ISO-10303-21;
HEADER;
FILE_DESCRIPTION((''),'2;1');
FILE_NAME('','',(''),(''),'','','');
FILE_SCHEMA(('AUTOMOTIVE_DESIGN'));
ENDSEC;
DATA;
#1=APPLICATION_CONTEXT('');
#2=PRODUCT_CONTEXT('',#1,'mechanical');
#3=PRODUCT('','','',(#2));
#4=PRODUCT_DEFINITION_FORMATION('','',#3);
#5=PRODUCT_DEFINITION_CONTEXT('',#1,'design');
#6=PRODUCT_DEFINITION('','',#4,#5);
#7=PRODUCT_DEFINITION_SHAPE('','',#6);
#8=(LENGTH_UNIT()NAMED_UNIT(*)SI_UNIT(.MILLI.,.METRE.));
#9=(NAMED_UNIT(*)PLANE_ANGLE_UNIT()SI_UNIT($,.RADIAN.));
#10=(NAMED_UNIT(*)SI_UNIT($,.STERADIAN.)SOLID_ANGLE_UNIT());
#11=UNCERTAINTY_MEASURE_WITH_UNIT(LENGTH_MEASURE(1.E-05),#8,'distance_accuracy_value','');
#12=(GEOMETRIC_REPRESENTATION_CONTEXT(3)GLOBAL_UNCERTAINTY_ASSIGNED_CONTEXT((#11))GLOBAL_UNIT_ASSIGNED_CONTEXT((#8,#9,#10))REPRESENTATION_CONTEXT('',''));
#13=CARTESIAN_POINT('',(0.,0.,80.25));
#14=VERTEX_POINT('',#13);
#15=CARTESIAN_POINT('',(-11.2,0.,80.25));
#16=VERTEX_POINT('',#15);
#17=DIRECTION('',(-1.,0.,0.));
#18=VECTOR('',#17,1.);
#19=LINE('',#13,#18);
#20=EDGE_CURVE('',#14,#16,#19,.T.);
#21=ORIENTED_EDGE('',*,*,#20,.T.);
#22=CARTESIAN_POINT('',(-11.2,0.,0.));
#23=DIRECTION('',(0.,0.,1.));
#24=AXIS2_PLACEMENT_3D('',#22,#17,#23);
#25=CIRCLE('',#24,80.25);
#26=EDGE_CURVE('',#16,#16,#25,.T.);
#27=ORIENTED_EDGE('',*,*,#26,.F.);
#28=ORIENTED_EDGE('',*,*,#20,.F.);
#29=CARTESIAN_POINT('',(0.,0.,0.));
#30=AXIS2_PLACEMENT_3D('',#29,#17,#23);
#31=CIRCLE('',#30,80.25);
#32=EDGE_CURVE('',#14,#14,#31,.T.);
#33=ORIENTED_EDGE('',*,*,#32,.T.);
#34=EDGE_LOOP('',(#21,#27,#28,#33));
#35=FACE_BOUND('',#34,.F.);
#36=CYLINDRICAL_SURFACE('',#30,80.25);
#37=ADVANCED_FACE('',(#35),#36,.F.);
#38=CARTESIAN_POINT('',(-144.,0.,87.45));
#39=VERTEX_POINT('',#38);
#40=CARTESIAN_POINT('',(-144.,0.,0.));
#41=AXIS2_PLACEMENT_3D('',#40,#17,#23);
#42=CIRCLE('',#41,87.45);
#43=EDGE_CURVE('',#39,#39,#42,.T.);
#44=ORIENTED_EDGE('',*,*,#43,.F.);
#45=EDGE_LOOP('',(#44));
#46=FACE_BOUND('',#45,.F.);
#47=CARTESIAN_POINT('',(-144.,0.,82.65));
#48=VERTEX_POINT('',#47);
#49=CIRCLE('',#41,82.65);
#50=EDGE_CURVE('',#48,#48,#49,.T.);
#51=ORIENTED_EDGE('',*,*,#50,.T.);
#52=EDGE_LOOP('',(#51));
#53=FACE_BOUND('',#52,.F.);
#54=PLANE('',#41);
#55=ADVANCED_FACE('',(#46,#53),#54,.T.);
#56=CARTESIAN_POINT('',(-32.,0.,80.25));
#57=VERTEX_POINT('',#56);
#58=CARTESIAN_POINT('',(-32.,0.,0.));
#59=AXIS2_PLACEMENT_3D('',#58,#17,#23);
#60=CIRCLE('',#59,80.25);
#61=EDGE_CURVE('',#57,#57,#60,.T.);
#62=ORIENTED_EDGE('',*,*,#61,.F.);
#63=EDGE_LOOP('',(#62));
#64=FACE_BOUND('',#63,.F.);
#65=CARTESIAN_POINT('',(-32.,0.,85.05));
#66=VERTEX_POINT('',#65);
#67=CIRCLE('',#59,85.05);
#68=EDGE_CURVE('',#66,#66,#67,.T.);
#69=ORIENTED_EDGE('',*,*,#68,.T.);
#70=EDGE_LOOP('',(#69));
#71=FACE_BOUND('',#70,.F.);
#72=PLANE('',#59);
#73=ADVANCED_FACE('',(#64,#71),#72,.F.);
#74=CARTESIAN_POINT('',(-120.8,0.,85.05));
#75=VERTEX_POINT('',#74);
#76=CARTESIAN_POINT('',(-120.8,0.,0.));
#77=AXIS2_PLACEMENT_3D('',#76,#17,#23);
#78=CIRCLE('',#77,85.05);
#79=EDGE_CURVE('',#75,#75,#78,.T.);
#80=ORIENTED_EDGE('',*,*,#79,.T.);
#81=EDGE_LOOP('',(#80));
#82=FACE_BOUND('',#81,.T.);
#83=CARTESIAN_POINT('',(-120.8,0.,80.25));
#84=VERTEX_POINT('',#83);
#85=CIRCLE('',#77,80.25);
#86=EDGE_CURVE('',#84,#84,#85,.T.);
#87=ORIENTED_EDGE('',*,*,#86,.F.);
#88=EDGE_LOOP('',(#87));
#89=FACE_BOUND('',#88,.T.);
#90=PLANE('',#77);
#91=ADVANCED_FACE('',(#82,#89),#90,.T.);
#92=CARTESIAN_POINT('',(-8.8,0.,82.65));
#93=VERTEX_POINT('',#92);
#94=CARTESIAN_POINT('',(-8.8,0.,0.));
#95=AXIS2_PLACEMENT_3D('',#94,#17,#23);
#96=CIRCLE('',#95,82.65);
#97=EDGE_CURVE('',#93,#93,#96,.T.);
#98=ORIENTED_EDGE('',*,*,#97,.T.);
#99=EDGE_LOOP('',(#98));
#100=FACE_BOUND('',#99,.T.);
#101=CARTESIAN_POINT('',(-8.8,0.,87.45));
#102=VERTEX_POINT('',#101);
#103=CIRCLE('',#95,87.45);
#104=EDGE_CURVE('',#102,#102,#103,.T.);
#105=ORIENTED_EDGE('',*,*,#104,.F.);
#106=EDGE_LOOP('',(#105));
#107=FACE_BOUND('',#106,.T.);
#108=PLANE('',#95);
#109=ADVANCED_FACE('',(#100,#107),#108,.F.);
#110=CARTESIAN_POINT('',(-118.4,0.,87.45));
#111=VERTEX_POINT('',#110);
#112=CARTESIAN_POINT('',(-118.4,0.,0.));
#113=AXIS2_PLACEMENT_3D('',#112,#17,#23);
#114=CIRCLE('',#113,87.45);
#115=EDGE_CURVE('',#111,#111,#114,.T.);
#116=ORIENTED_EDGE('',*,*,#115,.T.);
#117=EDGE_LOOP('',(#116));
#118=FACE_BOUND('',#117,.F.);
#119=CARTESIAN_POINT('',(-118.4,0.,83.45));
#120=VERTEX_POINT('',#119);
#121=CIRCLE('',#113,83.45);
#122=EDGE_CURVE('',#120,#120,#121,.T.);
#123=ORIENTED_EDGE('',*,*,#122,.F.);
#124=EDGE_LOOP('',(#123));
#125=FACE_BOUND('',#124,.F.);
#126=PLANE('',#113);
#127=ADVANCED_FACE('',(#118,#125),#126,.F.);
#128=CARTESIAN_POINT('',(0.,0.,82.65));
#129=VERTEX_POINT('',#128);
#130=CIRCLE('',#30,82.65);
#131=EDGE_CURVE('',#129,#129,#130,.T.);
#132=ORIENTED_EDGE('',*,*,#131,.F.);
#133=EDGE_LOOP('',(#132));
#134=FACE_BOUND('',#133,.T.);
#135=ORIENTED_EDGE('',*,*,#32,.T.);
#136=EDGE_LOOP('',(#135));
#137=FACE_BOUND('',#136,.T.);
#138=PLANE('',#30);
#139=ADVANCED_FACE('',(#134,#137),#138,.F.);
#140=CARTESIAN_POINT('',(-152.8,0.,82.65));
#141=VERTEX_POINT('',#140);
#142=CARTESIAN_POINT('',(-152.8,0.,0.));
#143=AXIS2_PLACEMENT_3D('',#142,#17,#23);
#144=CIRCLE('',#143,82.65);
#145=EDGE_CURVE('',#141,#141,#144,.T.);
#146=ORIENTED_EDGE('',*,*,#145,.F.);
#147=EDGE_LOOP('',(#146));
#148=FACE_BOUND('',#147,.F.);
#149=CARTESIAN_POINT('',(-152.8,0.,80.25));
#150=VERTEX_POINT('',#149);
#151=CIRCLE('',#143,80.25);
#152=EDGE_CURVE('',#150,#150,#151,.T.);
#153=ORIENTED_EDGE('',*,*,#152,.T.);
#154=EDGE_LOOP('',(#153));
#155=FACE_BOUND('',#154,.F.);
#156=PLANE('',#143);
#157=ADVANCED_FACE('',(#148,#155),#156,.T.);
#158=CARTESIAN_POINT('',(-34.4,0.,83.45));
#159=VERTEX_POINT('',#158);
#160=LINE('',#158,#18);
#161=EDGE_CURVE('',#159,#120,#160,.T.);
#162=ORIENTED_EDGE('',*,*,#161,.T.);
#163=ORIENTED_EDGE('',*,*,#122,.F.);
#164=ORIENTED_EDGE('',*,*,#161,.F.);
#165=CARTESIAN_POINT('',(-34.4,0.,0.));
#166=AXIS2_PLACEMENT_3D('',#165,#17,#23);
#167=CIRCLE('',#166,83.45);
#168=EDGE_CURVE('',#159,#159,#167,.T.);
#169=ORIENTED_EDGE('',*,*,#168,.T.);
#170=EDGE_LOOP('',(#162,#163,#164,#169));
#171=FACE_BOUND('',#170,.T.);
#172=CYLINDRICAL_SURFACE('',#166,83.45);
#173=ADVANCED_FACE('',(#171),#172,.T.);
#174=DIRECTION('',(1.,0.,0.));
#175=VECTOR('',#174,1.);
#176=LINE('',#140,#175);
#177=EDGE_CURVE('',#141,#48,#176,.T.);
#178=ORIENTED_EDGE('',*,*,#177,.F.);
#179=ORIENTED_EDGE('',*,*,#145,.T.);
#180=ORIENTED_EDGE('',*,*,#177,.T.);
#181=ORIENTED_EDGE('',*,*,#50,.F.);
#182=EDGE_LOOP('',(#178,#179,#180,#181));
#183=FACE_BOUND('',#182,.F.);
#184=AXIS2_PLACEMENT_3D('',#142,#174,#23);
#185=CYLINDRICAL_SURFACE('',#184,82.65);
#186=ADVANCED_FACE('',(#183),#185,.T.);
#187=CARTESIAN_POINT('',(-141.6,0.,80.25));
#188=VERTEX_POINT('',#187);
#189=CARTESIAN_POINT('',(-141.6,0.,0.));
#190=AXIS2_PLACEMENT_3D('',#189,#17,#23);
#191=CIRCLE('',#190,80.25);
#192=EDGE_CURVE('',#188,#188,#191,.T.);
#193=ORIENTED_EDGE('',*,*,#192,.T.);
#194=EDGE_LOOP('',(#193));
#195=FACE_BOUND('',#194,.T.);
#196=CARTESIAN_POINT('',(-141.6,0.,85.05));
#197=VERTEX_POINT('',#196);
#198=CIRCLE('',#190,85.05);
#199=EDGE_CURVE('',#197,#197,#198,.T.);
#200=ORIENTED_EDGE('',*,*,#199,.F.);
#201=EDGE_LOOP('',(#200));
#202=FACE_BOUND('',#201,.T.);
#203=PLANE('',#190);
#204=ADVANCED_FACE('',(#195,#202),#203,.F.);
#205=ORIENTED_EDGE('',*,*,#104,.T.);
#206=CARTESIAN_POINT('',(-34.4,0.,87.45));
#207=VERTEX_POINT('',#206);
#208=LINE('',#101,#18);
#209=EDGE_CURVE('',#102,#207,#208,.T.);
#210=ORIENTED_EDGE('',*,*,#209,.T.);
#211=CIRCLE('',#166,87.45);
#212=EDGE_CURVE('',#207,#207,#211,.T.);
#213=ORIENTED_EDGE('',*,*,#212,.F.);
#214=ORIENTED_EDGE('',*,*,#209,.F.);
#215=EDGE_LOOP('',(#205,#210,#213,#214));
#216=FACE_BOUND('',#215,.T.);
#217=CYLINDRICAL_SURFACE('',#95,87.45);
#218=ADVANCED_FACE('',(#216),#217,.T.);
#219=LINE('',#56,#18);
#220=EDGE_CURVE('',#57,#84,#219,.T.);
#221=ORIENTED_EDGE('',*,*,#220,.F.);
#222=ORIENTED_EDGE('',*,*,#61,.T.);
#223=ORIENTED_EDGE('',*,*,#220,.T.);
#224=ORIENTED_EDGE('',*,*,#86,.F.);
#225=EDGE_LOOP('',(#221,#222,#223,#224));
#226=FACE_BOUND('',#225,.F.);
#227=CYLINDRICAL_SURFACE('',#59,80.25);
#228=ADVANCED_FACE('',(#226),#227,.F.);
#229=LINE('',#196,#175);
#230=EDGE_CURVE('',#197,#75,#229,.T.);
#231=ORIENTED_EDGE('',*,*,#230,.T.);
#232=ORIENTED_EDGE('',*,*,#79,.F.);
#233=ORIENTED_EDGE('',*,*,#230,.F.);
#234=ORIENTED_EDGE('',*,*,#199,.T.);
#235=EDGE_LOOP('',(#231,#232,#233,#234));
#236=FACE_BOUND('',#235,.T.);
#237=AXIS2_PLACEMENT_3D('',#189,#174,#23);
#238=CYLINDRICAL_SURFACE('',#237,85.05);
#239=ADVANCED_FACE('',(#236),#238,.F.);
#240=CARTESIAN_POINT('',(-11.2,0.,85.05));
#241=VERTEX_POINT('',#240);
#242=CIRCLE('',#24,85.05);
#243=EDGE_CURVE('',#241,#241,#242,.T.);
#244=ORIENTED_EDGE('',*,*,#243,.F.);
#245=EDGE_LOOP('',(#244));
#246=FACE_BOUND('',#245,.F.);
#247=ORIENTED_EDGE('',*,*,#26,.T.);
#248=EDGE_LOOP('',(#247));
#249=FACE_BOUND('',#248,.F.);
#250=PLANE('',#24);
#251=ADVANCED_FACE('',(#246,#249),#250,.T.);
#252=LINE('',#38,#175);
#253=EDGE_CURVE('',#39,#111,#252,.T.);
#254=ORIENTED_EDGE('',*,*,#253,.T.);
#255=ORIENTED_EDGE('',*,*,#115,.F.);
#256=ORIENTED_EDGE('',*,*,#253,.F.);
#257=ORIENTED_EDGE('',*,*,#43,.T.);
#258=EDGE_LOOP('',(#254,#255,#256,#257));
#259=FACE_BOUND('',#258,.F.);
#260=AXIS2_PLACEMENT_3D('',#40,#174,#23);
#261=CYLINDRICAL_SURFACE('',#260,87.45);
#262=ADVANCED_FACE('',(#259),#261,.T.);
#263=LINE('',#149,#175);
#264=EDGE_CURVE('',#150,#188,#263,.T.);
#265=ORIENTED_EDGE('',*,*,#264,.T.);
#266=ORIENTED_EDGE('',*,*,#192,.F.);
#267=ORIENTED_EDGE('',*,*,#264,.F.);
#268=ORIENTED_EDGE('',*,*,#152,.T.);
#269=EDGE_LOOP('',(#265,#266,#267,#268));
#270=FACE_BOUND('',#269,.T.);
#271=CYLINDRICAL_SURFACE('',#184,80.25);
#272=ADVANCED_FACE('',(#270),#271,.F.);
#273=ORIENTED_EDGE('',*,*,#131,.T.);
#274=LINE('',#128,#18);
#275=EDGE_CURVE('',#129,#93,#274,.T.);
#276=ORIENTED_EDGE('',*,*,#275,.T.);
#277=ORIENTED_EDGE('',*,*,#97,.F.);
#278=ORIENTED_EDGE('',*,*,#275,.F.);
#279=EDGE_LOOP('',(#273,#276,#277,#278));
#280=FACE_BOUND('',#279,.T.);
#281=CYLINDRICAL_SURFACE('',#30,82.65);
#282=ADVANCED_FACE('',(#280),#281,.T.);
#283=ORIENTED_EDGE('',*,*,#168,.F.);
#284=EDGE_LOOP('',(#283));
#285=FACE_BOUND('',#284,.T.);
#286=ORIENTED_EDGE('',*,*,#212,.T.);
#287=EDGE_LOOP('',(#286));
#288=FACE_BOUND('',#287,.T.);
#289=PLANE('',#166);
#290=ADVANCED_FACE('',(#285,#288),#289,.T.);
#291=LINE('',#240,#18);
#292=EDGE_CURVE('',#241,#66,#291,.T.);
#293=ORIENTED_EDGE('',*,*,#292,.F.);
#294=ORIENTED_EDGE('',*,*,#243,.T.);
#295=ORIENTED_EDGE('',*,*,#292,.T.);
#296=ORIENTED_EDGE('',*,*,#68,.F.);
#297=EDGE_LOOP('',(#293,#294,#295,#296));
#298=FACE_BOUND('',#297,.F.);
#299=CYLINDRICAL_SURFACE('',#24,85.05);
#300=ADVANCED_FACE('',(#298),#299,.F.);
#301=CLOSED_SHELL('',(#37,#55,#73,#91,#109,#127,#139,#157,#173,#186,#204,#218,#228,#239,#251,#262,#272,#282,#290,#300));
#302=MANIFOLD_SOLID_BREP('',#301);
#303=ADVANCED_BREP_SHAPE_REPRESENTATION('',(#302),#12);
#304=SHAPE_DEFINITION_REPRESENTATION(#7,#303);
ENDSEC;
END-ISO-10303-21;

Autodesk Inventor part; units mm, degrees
ref_plane "YZ Plane" through (0, 0, 0) normal (1, 0, 0) x (0, 1, 0)
ref_plane "XZ Plane" through (0, 0, 0) normal (0, 1, 0) x (-1, 0, 0)
ref_plane "XY Plane" through (0, 0, 0) normal (0, 0, 1) x (1, 0, 0)
sketch "Sketch1" plane through (0, 0, 0) normal (0, 1, 0) x (-1, 0, 0)
  line L0 (0, 80.25) -> (11.2, 80.25)
  line L1 (11.2, 80.25) -> (11.2, 85.05)
  line L2 (11.2, 85.05) -> (32, 85.05)
  line L3 (32, 85.05) -> (32, 80.25)
  line L4 (0, 0) -> (76.4, 0)
  line L5 (0, 80.25) -> (0, 0) construction
  line L6 (0, 80.25) -> (0, 82.65)
  line L7 (0, 82.65) -> (8.8, 82.65)
  line L8 (8.8, 82.65) -> (8.8, 87.45)
  line L9 (8.8, 87.45) -> (34.4, 87.45)
  line L10 (34.4, 87.45) -> (34.4, 83.45)
  line L11 (32, 80.25) -> (32, 0) construction
  line L12 (152.8, 80.25) -> (141.6, 80.25)
  line L13 (141.6, 80.25) -> (141.6, 85.05)
  line L14 (141.6, 85.05) -> (120.8, 85.05)
  line L15 (120.8, 85.05) -> (120.8, 80.25)
  line L16 (152.8, 0) -> (76.4, 0)
  line L17 (152.8, 80.25) -> (152.8, 0) construction
  line L18 (152.8, 80.25) -> (152.8, 82.65)
  line L19 (152.8, 82.65) -> (144, 82.65)
  line L20 (144, 82.65) -> (144, 87.45)
  line L21 (144, 87.45) -> (118.4, 87.45)
  line L22 (118.4, 87.45) -> (118.4, 83.45)
  line L23 (34.4, 83.45) -> (118.4, 83.45)
  line L24 (32, 80.25) -> (120.8, 80.25)
  line L25 (76.4, 0) -> (76.4, 80.25) construction
  dimension "d0" = 2.4
  dimension "d1" = 2.4
  dimension "d2" = 2.4
  dimension "d3" = 2.4
  dimension "d4" = 32
  dimension "d5" = 84
  dimension "d6" = 160.5
  dimension "d7" = 3.2
  dimension "d8" = 7.2
  dimension "d9" = 11.2
revolve "Revolution1" add sketch "Sketch1" angle 360 about axis through (0, 0, 0) along (-1, 0, 0)
equation "\"d0\" = e3"
equation "\"d1\" = e3"
equation "\"d2\" = e3"
equation "\"d3\" = e3"
equation "\"d4\" = C1"
equation "\"d5\" = 2 * A"
equation "\"d6\" = Ds"
equation "\"d7\" = e"
equation "\"d8\" = 3 * e3"
equation "\"d9\" = 0.35 * C1"
equation "\"e\" = 3.2"
equation "\"e2\" = 2.9"
equation "\"e3\" = 2.4"
equation "\"A\" = 42"
equation "\"C1\" = 32"
equation "\"Ds\" = 160.5"
equation "\"Size_Designation\" = 1.2345"
properties part number "ISO 3633 Coupler with Only Sockets for Elastomeric Sealing Ring Joints DN160" material "PVC, Unplasticized"
